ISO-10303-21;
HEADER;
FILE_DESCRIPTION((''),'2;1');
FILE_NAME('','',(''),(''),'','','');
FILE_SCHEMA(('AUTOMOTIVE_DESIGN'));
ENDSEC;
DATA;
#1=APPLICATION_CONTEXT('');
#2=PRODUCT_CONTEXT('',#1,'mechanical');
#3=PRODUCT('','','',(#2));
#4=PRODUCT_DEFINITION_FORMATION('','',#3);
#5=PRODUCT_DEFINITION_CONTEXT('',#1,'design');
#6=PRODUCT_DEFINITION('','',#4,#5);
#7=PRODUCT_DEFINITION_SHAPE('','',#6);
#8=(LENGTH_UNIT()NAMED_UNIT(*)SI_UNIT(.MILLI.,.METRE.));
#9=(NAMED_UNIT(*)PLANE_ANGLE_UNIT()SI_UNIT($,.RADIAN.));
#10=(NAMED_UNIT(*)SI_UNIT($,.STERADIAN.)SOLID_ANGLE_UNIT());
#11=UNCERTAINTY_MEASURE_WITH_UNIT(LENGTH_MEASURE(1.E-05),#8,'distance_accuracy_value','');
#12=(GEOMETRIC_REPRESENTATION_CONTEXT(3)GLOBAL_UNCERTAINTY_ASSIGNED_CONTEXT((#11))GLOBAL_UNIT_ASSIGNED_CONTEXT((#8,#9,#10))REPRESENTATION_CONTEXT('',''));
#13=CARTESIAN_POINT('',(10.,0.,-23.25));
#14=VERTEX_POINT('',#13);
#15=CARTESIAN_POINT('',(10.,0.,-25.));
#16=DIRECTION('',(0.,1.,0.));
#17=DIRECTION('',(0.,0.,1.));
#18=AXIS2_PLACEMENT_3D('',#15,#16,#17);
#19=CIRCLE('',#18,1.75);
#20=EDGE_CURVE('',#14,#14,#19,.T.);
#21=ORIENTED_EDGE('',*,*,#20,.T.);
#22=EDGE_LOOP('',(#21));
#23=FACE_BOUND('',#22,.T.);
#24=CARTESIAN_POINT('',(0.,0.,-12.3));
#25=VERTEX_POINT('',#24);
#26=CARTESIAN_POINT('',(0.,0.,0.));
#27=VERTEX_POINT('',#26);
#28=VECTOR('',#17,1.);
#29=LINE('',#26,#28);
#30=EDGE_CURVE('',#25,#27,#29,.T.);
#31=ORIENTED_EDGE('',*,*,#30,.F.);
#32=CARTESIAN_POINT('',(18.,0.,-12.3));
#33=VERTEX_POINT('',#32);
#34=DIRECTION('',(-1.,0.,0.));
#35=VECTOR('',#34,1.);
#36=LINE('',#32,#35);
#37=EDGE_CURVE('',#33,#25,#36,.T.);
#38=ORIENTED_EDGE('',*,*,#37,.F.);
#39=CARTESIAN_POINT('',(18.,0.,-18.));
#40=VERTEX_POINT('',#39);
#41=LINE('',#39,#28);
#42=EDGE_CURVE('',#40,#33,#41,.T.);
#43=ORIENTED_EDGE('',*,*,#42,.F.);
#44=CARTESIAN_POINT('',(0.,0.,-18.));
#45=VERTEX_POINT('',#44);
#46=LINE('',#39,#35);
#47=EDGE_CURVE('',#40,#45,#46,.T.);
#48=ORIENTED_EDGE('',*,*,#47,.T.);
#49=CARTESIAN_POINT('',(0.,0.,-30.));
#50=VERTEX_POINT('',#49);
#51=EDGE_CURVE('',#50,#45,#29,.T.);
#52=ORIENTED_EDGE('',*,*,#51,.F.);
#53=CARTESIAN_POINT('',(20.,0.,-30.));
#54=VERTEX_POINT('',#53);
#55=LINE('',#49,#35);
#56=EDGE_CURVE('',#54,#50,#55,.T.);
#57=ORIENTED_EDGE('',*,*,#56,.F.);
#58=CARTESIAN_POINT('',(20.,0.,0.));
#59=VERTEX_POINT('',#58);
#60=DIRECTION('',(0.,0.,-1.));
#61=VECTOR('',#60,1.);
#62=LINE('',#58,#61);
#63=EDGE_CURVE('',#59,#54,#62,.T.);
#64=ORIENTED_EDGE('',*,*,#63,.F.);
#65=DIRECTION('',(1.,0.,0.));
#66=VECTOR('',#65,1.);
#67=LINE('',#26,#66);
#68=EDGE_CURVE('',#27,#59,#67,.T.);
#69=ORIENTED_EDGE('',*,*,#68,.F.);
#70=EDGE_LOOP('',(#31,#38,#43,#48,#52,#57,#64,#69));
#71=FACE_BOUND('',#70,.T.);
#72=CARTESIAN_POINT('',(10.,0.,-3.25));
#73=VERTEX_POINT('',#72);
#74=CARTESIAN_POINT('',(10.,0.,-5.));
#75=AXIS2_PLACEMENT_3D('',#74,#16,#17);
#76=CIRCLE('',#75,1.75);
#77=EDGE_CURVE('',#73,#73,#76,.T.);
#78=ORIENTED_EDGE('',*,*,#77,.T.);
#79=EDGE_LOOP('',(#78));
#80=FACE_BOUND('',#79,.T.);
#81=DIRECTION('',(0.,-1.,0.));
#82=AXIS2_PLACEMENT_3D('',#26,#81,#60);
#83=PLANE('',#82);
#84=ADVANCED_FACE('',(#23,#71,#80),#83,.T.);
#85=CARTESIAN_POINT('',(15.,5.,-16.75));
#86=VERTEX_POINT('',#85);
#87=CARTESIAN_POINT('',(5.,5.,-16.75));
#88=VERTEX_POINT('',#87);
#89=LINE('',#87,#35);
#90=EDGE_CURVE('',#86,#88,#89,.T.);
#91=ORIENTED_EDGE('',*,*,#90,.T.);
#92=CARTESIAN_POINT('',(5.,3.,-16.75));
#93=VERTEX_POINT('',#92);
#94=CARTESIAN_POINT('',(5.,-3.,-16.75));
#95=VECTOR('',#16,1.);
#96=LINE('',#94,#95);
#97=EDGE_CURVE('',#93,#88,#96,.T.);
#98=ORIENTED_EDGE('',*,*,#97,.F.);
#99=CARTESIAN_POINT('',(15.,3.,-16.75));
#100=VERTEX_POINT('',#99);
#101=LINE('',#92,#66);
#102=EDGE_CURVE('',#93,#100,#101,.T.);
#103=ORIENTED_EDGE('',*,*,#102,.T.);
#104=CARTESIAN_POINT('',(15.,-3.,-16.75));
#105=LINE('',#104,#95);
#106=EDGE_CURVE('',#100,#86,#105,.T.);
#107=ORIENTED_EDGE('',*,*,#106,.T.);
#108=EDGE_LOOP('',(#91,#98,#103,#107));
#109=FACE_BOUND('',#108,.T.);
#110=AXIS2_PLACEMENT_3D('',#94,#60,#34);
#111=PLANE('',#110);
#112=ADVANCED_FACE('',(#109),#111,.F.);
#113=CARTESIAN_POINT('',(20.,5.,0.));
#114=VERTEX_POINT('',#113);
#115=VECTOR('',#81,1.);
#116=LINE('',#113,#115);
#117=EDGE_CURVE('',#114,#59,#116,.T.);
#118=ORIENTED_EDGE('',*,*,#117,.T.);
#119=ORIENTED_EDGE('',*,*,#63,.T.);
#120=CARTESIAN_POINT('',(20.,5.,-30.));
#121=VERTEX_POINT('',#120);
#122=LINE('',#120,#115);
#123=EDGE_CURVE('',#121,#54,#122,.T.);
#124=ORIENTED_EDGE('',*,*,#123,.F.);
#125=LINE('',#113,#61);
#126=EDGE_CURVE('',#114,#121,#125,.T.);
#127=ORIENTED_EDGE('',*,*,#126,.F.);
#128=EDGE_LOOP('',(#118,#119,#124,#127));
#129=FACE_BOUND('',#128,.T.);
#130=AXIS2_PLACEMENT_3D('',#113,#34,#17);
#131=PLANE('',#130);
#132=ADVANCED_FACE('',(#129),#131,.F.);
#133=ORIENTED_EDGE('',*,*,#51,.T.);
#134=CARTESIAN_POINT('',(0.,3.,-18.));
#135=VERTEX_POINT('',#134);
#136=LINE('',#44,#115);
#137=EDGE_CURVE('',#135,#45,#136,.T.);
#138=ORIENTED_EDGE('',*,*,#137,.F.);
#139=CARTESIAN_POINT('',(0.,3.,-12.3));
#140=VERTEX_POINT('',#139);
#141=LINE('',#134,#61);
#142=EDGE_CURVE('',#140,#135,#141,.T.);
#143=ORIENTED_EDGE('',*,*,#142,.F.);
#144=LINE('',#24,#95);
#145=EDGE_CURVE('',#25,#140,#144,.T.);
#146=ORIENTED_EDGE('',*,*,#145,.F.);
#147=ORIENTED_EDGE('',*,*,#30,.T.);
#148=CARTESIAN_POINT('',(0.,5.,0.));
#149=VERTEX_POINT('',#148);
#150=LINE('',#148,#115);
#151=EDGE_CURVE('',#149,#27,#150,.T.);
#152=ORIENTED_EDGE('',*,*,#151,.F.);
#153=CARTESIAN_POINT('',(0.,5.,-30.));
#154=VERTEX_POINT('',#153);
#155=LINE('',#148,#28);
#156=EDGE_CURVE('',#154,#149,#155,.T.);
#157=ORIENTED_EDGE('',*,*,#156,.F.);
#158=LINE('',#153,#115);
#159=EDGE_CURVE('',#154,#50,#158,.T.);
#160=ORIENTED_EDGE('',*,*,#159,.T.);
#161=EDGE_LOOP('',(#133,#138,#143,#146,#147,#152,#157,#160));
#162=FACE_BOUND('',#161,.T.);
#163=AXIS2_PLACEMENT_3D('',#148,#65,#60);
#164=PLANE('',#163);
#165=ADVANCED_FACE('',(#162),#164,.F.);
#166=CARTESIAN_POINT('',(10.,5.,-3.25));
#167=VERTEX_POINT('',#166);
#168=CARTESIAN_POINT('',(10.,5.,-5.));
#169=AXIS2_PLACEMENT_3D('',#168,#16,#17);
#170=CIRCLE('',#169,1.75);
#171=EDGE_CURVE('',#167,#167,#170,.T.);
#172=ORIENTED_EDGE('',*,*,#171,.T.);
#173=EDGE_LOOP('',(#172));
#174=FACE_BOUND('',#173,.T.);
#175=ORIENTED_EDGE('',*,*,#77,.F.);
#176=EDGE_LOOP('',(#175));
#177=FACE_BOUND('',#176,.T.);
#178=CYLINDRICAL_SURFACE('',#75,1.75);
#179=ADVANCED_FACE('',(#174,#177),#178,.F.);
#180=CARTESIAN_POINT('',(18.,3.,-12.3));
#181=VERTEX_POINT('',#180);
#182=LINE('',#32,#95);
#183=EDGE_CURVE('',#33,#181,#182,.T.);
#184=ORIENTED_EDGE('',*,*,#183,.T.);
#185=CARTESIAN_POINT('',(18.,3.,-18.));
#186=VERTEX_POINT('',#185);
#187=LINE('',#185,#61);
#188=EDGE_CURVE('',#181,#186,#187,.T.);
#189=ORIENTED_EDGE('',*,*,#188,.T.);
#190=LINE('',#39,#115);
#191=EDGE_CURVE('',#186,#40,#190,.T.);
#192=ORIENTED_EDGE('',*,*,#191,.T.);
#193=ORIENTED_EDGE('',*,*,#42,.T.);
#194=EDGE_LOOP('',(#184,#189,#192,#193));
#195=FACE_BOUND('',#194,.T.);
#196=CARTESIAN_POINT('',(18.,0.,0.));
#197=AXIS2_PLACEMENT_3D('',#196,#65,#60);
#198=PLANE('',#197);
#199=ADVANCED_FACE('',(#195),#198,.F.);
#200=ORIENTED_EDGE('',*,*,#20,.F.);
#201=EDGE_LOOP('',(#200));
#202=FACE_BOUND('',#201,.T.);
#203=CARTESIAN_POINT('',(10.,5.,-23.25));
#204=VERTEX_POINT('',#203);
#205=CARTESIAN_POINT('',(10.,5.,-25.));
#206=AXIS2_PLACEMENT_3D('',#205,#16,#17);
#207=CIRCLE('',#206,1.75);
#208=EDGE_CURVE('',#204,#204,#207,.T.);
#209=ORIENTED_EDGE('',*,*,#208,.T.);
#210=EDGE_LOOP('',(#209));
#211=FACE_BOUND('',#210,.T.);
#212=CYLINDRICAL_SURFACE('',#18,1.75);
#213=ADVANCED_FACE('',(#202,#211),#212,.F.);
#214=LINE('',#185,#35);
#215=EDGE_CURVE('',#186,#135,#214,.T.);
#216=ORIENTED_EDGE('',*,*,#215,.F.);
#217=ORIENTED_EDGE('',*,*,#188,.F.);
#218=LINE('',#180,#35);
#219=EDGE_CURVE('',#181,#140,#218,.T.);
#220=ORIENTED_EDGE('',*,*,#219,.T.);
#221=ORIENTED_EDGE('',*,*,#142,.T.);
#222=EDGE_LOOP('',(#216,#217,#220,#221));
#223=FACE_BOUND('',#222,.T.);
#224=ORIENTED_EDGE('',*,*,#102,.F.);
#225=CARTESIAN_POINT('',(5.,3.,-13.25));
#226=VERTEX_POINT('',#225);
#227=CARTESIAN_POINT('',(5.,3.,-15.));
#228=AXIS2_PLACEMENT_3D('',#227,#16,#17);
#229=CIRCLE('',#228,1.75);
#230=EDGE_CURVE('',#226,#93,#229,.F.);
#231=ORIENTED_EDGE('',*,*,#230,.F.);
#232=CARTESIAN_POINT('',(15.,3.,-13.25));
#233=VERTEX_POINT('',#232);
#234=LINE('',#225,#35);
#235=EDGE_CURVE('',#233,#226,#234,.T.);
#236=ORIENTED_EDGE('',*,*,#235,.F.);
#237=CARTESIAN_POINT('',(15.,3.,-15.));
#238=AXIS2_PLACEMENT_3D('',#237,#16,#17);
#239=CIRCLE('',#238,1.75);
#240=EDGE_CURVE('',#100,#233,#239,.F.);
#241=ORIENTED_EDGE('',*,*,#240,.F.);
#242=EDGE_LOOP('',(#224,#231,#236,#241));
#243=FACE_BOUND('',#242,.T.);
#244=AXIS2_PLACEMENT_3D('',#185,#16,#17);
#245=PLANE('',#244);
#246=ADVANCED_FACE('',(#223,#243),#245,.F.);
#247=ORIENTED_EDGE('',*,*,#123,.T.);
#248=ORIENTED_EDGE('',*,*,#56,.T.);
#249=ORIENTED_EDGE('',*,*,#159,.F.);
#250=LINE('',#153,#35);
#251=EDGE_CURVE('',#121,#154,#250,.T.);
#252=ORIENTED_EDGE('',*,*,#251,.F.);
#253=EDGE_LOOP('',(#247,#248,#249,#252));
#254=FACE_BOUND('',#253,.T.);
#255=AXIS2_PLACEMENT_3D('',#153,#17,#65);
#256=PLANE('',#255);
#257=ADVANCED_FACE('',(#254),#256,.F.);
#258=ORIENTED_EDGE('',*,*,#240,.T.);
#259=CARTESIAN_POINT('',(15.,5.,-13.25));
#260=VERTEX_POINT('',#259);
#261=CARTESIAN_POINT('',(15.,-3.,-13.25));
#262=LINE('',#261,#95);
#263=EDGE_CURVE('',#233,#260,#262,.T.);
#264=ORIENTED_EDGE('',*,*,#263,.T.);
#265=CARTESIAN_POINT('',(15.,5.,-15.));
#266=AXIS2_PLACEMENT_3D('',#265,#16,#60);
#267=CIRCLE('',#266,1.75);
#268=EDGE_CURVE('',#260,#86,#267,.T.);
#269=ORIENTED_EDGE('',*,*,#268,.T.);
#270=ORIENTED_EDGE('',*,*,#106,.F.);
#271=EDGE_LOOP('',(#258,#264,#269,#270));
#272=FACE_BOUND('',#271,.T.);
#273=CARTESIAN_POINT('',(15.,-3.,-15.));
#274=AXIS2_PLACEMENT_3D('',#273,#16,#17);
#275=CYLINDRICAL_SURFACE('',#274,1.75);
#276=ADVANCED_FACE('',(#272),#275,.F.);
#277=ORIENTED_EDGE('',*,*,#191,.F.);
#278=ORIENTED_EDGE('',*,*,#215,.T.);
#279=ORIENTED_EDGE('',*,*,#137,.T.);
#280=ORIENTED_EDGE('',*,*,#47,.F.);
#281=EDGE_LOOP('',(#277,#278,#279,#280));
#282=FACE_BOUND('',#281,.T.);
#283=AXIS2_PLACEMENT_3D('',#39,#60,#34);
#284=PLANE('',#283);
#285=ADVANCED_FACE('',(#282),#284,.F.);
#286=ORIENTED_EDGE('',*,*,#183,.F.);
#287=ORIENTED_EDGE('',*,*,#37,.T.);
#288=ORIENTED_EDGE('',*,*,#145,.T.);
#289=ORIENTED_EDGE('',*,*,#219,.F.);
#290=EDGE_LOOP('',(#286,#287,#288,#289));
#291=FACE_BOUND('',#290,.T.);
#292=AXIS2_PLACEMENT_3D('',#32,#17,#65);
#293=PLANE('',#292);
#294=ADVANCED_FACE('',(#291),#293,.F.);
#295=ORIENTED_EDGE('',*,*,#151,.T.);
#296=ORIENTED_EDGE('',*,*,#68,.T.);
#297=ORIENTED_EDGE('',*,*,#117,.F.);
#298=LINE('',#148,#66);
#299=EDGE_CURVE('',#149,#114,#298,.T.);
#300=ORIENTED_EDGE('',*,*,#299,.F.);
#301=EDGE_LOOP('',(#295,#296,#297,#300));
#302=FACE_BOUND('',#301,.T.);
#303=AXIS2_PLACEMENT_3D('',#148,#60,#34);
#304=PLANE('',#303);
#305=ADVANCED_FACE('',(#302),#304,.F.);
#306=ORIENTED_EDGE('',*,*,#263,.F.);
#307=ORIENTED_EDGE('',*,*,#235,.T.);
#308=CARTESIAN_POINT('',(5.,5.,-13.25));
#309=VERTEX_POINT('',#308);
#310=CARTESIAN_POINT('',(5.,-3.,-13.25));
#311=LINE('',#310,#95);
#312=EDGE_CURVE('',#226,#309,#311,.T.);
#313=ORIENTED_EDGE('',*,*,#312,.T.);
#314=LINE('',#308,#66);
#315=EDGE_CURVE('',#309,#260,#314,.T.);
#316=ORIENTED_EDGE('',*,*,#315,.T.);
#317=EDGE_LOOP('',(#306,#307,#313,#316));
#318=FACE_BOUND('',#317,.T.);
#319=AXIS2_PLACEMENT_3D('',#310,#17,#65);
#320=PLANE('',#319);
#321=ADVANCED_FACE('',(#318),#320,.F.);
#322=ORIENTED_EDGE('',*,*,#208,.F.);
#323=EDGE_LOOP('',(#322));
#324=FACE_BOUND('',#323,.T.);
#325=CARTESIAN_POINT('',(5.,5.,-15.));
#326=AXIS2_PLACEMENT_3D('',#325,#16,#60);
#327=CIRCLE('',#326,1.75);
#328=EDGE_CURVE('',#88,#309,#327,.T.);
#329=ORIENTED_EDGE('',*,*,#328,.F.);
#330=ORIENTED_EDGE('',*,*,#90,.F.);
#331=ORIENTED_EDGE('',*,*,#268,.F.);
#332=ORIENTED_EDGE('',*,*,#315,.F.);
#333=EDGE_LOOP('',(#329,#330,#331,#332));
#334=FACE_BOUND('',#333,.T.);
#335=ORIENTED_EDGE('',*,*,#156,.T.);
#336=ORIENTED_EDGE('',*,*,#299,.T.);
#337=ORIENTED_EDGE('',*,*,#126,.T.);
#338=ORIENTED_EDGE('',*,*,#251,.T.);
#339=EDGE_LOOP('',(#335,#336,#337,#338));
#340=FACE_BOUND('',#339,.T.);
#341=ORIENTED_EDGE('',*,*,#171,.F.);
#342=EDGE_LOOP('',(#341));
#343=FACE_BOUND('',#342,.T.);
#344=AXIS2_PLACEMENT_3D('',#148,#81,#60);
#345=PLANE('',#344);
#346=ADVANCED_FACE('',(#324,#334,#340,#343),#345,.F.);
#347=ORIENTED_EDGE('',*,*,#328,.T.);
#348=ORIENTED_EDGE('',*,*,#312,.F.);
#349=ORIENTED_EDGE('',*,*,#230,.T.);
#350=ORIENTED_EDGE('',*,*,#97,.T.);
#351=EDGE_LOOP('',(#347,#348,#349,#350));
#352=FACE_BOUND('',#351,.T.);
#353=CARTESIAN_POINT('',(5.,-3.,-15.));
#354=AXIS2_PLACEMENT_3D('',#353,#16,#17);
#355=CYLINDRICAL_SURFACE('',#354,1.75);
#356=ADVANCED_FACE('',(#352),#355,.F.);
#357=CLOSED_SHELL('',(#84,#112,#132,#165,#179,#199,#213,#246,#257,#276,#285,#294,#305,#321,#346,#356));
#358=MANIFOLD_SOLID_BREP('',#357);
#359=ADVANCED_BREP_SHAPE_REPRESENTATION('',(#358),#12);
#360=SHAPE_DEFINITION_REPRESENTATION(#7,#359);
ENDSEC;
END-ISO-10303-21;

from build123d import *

# Parameters (mm, degrees)
SKETCH1_W           = 20
SKETCH1_H           = 30
BOSS_EXTRUDE1_DEPTH = 5
CUT_EXTRUDE1_DEPTH  = 8
SKETCH3_R           = 1.75
CUT_EXTRUDE2_DEPTH  = 37.400549446
SKETCH4_W           = 5.7
SKETCH4_H           = 3
CUT_EXTRUDE3_DEPTH  = 18


with BuildPart() as part:
    # Sketch1 → Boss-Extrude1 (new body)
    with BuildSketch(Plane(origin=(0, 0, 0), x_dir=(1, 0, 0), z_dir=(0, 1, 0))):
        with Locations((10, 15)):
            Rectangle(SKETCH1_W, SKETCH1_H)
    extrude(amount=BOSS_EXTRUDE1_DEPTH)

    # Sketch2 → Cut-Extrude1 (cut)
    with BuildSketch(Plane(origin=(0, 5, 0), x_dir=(1, 0, 0), z_dir=(0, 1, 0))):
        with BuildLine():
            Line((5, 16.75), (15, 16.75))
            ThreePointArc((15, 16.75), (16.75, 15), (15, 13.25))
            Line((15, 13.25), (5, 13.25))
            ThreePointArc((5, 13.25), (3.25, 15), (5, 16.75))
        make_face()
    extrude(amount=-CUT_EXTRUDE1_DEPTH, mode=Mode.SUBTRACT)

    # Sketch3 → Cut-Extrude2 (cut, through all)
    with BuildSketch(Plane(origin=(0, 5, 0), x_dir=(1, 0, 0), z_dir=(0, 1, 0))):
        with Locations(Location((10, 25, 0), (0, 0, 270))):
            Circle(SKETCH3_R)
        with Locations(Location((10, 5, 0), (0, 0, 270))):
            Circle(SKETCH3_R)
    extrude(amount=-CUT_EXTRUDE2_DEPTH, mode=Mode.SUBTRACT)

    # Sketch4 → Cut-Extrude3 (cut)
    with BuildSketch(Plane.ZY):
        with Locations((-15.15, 1.5)):
            Rectangle(SKETCH4_W, SKETCH4_H)
    extrude(amount=-CUT_EXTRUDE3_DEPTH, mode=Mode.SUBTRACT)


solid = part.part
